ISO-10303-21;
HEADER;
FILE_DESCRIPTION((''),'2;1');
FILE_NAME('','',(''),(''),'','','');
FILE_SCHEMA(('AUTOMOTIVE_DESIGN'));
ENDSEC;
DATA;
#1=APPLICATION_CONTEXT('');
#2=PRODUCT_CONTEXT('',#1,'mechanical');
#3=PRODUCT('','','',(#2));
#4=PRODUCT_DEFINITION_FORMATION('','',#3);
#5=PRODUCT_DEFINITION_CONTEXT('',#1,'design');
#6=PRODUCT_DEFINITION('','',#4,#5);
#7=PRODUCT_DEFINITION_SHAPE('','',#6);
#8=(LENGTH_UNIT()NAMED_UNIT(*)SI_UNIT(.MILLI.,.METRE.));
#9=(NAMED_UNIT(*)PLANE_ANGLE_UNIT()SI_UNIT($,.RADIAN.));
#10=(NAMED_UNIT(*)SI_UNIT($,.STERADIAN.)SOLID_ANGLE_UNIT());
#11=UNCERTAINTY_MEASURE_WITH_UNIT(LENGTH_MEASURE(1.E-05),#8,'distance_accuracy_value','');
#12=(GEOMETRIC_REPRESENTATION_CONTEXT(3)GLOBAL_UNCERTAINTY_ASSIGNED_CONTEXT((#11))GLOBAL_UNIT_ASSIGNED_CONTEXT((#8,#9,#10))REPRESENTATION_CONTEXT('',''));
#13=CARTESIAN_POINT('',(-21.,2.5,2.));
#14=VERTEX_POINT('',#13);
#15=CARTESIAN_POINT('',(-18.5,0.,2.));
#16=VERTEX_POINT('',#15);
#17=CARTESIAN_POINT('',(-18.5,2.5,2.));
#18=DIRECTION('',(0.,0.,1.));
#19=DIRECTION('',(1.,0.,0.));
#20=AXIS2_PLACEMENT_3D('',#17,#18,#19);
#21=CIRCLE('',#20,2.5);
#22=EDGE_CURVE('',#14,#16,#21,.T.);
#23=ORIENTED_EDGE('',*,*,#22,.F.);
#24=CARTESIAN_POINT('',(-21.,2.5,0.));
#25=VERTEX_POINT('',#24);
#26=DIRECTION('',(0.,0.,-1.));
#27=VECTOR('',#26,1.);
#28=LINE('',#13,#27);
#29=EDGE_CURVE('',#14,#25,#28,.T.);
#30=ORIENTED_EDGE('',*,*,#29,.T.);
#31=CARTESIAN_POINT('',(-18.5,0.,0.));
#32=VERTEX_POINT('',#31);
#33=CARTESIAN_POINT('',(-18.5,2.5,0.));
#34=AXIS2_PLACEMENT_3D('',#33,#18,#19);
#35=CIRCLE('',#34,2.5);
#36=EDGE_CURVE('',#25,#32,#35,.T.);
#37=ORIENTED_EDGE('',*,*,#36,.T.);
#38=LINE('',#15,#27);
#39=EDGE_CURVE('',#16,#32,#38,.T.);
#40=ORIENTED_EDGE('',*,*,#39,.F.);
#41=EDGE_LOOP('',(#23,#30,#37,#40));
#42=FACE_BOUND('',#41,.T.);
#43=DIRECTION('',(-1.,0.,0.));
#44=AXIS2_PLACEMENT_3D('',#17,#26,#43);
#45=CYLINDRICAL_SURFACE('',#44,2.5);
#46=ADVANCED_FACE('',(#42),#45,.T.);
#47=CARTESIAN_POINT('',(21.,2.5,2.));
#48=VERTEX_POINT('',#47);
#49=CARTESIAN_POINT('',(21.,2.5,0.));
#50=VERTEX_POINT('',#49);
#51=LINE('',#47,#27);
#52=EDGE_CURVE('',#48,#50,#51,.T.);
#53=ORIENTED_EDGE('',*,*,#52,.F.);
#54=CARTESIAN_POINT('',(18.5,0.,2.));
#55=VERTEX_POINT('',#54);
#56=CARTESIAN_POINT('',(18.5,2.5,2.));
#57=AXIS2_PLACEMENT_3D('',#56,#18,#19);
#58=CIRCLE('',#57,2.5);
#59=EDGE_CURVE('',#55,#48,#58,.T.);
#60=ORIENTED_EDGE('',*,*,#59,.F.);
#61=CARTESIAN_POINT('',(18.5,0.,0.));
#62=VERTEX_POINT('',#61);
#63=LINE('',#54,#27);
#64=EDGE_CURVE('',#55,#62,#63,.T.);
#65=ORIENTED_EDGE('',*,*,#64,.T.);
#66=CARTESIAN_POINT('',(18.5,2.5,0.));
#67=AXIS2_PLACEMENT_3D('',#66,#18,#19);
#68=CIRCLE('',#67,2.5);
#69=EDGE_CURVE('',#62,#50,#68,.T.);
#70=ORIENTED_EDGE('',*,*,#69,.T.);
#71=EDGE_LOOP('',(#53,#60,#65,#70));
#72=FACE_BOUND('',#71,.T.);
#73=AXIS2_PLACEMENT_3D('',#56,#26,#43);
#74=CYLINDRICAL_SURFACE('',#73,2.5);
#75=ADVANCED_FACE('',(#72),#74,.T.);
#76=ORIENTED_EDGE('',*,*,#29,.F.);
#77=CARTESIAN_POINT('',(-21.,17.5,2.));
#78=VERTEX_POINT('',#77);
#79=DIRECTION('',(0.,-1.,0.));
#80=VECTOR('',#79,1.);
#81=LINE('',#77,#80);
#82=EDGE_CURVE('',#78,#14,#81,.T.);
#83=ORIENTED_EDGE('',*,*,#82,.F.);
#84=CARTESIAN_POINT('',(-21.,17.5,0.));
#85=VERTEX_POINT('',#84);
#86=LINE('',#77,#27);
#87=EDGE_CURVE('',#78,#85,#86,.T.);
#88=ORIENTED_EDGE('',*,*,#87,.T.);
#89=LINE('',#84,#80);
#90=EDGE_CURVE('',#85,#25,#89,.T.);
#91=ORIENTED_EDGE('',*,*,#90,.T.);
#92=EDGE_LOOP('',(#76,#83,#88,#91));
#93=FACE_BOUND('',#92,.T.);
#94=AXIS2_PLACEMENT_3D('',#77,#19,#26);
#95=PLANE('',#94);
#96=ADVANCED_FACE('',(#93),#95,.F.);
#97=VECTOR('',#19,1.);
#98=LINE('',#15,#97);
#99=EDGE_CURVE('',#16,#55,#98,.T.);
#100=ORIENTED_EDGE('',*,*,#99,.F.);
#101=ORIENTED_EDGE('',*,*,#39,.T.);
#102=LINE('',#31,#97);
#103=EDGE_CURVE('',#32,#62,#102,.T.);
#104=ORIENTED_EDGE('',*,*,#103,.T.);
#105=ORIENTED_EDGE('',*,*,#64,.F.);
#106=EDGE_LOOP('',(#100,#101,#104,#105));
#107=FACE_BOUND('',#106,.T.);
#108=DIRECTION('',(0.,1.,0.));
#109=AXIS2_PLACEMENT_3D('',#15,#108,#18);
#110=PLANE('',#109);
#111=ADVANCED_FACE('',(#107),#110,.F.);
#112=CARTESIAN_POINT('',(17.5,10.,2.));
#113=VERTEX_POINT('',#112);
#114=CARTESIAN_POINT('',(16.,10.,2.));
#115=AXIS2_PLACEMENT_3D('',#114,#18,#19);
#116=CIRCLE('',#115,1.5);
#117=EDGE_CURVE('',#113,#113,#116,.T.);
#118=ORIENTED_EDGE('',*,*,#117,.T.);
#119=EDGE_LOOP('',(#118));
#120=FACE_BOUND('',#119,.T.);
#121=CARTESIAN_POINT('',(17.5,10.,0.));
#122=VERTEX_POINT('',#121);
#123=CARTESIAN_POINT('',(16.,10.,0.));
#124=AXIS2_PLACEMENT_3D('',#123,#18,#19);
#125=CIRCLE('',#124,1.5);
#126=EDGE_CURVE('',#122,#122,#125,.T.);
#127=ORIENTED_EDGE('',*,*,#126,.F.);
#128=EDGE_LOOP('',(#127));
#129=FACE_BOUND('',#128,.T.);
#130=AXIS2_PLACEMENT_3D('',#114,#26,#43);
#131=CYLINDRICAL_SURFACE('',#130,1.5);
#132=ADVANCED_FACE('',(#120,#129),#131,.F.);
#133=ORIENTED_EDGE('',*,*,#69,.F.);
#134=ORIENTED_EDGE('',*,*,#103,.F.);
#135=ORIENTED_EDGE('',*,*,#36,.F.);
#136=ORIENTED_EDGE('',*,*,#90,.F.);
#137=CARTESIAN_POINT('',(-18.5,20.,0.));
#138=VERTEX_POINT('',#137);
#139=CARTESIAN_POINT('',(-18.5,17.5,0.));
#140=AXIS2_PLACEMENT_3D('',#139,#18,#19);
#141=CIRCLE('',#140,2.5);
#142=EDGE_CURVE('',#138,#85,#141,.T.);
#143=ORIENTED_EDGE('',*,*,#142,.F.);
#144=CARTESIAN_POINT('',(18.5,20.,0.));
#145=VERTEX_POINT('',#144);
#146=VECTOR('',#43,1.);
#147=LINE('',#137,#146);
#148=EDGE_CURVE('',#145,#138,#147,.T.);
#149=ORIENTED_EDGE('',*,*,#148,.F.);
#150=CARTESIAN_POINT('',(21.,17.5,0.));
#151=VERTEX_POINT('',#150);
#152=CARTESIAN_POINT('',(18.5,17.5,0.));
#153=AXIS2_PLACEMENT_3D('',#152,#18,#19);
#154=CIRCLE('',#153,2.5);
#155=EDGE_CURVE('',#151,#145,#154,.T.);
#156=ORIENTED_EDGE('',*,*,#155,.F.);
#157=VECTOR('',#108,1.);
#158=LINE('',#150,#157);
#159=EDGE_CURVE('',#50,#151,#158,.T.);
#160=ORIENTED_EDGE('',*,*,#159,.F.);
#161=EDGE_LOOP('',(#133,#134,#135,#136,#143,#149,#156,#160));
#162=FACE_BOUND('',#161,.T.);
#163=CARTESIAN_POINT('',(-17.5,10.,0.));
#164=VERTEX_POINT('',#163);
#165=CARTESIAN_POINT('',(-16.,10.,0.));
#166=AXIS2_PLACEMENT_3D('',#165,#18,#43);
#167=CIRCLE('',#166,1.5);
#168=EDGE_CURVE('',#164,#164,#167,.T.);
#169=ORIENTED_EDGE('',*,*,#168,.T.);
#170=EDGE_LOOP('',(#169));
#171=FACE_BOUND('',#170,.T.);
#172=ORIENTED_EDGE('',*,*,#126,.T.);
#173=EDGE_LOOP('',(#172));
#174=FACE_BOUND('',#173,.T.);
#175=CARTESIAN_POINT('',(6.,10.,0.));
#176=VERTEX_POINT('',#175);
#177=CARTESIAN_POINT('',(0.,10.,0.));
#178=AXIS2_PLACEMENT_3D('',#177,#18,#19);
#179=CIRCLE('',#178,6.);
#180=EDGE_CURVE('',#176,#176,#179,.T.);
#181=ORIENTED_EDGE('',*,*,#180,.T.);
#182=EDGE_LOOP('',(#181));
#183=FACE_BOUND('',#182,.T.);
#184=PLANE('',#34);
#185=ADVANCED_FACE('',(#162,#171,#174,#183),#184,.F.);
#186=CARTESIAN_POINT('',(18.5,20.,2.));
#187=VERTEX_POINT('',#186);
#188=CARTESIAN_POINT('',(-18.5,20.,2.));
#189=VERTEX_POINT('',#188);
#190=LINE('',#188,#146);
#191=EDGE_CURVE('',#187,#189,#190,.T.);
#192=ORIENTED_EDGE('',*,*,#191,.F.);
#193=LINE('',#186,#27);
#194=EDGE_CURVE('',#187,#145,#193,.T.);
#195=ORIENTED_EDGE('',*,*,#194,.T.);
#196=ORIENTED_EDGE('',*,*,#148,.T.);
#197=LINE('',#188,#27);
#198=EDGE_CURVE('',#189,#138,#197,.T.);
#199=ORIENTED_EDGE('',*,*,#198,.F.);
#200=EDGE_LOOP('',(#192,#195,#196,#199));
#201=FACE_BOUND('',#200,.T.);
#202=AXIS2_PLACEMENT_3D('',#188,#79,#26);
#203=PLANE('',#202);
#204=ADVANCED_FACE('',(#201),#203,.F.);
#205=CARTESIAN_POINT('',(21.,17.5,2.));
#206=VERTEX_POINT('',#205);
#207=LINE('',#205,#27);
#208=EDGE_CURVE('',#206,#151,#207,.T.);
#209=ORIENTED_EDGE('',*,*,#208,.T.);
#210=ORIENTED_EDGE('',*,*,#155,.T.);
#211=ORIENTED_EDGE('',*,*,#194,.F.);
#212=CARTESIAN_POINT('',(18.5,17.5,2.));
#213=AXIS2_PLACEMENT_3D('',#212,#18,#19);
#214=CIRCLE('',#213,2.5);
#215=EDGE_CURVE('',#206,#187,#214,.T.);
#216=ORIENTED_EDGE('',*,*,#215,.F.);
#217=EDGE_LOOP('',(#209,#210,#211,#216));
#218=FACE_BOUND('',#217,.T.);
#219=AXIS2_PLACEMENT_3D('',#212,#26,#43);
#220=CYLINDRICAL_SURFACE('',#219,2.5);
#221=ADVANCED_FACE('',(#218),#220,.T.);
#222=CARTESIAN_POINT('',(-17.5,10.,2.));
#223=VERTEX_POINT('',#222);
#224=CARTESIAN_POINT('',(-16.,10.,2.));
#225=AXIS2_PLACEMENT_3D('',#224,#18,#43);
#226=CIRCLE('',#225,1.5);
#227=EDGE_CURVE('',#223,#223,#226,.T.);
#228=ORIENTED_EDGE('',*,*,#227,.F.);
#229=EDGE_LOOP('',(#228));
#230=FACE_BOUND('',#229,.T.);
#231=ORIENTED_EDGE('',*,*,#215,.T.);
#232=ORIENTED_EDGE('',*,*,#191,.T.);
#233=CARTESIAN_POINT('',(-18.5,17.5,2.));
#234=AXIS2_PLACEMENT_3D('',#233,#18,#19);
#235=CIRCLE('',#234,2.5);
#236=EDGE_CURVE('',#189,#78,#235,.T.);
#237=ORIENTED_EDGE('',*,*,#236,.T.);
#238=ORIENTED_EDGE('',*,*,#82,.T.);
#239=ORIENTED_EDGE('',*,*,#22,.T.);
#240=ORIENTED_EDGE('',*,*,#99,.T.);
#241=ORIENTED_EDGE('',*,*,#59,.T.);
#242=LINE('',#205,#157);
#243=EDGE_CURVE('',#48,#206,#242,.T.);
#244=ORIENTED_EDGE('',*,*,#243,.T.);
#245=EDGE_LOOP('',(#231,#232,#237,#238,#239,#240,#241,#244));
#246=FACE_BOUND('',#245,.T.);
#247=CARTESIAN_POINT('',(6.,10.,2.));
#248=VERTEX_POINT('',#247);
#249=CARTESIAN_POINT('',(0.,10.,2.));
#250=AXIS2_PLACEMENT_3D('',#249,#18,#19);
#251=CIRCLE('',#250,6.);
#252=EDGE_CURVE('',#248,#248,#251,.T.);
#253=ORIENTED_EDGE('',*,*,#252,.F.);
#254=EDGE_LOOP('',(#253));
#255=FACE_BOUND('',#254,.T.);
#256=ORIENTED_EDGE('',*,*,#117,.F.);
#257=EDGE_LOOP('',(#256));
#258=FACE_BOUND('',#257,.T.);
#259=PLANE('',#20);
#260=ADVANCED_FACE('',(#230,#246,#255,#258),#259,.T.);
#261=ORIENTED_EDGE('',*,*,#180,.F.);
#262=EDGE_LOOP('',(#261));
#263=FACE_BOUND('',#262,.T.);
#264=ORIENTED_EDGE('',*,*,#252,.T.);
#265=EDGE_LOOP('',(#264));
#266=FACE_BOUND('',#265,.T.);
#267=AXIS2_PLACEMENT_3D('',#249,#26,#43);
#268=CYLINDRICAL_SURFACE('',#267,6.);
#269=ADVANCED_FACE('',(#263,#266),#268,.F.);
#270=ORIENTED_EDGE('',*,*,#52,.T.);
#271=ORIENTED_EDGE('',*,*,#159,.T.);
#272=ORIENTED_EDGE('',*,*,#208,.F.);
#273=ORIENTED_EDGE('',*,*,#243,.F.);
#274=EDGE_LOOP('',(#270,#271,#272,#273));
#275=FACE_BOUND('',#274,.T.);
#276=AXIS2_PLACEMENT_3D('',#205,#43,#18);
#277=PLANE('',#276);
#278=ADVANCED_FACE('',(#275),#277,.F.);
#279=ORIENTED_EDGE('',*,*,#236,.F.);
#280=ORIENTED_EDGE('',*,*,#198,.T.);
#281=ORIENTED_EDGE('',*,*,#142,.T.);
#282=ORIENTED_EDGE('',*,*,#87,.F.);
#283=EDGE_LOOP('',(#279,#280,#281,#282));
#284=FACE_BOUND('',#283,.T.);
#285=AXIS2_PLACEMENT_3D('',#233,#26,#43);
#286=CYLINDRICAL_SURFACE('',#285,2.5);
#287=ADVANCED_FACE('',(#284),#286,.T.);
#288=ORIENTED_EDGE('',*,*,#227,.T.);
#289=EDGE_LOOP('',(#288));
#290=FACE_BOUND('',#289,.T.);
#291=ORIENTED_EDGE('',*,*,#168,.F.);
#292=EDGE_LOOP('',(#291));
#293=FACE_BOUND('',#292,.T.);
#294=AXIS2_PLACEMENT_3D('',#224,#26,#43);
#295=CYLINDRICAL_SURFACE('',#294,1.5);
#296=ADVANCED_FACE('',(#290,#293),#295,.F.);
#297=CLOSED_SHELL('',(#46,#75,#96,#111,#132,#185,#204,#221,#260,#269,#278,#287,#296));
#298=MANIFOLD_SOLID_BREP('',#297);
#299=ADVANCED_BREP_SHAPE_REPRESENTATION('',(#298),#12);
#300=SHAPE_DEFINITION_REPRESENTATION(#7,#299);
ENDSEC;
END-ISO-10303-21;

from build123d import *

# Parameters (mm, degrees)
MODEL_R             = 1.5
MODEL_R_2           = 6
BOSS_EXTRUDE1_DEPTH = 2


with BuildPart() as part:
    # Model → Boss-Extrude1 (new body)
    with BuildSketch(Plane.XY):
        with BuildLine():
            Line((-18.5, 20), (18.5, 20))
            ThreePointArc((18.5, 20), (20.267766953, 19.267766953), (21, 17.5))
            Line((21, 17.5), (21, 2.5))
            ThreePointArc((21, 2.5), (20.267766953, 0.732233047), (18.5, 0))
            Line((18.5, 0), (-18.5, 0))
            ThreePointArc((-18.5, 0), (-20.267766953, 0.732233047), (-21, 2.5))
            Line((-21, 2.5), (-21, 17.5))
            ThreePointArc((-21, 17.5), (-20.267766953, 19.267766953), (-18.5, 20))
        make_face()
        with Locations((16, 10)):
            Circle(MODEL_R, mode=Mode.SUBTRACT)
        with Locations(Location((-16, 10, 0), (0, 0, 180))):
            Circle(MODEL_R, mode=Mode.SUBTRACT)
        with Locations((0, 10)):
            Circle(MODEL_R_2, mode=Mode.SUBTRACT)
    extrude(amount=BOSS_EXTRUDE1_DEPTH)


solid = part.part
